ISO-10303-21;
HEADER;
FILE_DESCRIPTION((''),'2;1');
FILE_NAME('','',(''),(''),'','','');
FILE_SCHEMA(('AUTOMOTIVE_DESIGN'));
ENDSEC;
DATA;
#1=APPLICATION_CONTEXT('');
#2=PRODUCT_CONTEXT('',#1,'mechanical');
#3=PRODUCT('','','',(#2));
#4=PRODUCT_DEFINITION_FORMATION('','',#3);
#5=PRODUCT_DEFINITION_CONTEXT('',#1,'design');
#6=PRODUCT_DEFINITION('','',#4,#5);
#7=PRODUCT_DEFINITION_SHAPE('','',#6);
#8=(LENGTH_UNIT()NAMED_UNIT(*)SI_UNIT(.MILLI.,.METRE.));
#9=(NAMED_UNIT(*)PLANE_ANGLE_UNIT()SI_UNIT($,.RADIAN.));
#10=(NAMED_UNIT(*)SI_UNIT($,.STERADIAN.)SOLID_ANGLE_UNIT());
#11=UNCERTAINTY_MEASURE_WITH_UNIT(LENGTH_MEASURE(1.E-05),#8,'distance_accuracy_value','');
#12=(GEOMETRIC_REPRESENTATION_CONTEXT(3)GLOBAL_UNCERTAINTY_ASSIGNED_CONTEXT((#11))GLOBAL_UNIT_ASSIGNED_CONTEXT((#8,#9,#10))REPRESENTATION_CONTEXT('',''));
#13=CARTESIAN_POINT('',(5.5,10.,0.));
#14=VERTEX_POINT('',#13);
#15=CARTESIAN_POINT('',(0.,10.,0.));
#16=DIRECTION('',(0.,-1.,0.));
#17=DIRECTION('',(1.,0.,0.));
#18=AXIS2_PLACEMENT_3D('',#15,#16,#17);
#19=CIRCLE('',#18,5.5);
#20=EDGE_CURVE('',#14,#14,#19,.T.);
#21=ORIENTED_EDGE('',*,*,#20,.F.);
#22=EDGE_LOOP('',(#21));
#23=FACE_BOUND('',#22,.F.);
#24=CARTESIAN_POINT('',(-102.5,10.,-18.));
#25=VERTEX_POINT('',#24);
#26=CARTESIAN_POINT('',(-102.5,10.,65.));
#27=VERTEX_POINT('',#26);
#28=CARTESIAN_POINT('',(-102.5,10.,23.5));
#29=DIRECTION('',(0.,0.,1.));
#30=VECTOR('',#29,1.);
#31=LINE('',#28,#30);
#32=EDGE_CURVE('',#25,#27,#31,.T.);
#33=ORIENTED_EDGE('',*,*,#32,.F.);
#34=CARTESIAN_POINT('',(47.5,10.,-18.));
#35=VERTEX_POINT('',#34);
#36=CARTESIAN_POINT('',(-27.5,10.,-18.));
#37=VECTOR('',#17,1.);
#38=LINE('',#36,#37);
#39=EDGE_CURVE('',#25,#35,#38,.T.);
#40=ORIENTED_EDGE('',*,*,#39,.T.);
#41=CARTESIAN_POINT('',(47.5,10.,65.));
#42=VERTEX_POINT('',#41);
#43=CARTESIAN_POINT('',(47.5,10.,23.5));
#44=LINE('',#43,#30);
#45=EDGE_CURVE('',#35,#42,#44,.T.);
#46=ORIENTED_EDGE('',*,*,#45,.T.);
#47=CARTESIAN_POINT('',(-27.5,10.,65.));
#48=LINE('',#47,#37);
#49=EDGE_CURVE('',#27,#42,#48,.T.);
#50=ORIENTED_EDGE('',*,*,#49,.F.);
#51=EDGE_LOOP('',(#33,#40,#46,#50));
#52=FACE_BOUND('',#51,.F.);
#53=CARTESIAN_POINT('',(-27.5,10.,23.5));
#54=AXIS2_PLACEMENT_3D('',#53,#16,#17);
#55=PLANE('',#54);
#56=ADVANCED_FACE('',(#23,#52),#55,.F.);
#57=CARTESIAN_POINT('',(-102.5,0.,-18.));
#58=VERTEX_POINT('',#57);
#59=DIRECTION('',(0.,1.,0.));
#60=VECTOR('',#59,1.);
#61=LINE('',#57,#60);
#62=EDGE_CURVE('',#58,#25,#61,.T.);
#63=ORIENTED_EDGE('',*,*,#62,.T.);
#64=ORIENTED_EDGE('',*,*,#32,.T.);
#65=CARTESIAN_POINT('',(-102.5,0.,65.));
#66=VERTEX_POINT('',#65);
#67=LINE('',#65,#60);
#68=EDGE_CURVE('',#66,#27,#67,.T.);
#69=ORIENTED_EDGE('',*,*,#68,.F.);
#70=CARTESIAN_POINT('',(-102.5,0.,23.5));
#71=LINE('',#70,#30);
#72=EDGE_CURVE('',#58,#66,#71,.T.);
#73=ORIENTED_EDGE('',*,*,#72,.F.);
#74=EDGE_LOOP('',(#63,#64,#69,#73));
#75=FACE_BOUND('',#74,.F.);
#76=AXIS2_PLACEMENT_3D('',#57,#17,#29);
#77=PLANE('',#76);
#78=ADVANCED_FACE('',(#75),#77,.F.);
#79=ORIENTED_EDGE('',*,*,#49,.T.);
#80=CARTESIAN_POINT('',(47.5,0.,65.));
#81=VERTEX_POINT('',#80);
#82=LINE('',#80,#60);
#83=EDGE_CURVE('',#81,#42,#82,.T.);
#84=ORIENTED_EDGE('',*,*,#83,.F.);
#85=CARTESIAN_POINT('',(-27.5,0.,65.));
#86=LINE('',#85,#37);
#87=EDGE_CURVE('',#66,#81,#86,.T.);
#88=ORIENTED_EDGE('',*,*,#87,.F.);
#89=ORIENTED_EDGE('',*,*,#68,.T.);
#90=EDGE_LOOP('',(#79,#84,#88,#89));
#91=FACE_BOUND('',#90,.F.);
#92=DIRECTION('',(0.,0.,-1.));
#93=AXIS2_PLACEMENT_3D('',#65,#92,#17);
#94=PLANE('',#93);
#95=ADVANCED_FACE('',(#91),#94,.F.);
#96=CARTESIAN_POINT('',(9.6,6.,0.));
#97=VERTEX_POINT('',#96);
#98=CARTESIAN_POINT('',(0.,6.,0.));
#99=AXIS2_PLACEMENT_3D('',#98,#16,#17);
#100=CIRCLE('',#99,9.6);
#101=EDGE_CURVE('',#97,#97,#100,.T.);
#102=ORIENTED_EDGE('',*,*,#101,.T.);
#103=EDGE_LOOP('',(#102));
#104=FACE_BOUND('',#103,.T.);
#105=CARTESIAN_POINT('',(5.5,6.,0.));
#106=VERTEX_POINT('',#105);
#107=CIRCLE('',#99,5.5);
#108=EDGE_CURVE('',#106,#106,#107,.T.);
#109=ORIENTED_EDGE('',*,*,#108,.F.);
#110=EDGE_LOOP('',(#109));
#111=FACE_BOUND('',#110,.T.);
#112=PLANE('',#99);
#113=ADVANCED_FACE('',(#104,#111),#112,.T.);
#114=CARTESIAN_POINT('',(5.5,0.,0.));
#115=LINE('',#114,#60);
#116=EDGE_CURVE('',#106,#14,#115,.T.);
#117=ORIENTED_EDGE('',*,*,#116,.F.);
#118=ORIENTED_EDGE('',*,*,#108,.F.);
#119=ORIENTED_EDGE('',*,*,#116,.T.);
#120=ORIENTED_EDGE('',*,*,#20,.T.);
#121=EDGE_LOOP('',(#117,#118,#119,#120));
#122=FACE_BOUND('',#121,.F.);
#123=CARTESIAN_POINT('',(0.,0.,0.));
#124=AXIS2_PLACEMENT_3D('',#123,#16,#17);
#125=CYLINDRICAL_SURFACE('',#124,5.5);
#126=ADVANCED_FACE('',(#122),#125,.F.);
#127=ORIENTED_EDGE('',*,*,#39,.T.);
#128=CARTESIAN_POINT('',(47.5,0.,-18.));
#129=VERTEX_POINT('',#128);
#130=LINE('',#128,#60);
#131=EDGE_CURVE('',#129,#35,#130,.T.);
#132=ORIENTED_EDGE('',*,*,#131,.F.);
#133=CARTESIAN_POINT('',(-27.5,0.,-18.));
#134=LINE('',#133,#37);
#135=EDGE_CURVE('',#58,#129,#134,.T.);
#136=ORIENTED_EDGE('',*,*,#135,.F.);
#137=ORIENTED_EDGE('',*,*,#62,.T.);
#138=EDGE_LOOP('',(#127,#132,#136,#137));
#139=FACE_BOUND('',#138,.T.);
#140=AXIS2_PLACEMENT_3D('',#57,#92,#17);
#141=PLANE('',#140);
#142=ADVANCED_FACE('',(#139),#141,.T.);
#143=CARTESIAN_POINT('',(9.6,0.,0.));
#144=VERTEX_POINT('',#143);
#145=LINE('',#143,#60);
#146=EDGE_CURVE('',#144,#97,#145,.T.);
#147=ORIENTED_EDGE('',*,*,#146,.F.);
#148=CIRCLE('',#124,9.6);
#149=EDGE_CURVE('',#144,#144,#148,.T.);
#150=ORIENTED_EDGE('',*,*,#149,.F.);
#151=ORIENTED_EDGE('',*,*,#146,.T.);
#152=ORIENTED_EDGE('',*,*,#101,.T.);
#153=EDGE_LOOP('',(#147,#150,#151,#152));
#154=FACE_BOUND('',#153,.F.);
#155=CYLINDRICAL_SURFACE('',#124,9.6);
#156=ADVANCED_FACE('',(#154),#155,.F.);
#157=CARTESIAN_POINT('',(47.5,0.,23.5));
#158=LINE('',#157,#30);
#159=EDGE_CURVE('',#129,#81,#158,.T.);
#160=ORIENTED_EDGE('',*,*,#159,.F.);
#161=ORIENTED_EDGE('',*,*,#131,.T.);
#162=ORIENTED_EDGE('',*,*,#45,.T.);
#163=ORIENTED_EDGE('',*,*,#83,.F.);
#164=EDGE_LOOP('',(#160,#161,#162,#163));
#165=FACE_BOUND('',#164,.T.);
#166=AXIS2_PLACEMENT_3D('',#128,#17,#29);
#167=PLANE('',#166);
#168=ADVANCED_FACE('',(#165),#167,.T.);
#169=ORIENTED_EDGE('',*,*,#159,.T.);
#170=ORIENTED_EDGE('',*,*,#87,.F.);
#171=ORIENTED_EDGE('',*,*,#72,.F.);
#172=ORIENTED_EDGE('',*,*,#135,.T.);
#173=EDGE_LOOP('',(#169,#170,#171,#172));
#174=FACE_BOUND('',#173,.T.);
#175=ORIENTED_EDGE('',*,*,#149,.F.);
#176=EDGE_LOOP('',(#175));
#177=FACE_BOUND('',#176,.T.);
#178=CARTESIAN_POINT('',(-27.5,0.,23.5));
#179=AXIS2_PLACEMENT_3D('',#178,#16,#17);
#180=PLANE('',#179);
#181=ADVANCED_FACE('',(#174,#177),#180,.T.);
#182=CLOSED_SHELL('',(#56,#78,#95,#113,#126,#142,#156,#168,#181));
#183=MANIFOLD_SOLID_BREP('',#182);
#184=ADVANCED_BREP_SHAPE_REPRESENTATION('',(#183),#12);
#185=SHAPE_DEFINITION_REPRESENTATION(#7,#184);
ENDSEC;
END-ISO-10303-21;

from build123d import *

# Parameters (mm, degrees)
SKETCH_AS_DRAWN_R                    = 9.6
EXTRUDE_DEPTH                        = 6
EXTRUDE_ONTO_SKETCH_ROLL_ANGLE       = 90
SKETCH001_AS_DRAWN_W                 = 150
SKETCH001_AS_DRAWN_H                 = 83
SKETCH001_AS_DRAWN_R                 = 5.5
EXTRUDE001_DEPTH                     = 10
EXTRUDE001_ONTO_SKETCH001_ROLL_ANGLE = 90


with BuildPart() as pocheroulementw:
    # Sketch as drawn → Extrude (new)
    with BuildSketch(Plane.XY):
        Circle(SKETCH_AS_DRAWN_R)
    extrude(amount=-EXTRUDE_DEPTH)


with BuildPart() as pocheroulementw_1:
    # Extrude onto Sketch roll: moved
    add(pocheroulementw.part.rotate(Axis((0, 0, 0), (1, 0, 0)), EXTRUDE_ONTO_SKETCH_ROLL_ANGLE))


with BuildPart() as pocheroulementw_2:
    # Extrude onto Sketch placement: moved
    add(pocheroulementw_1.part)


with BuildPart() as supportmoteurw:
    # Sketch001 as drawn → Extrude001 (new)
    with BuildSketch(Plane.XY):
        with Locations((-27.5, 23.5)):
            Rectangle(SKETCH001_AS_DRAWN_W, SKETCH001_AS_DRAWN_H)
        Circle(SKETCH001_AS_DRAWN_R, mode=Mode.SUBTRACT)
    extrude(amount=-EXTRUDE001_DEPTH)


with BuildPart() as supportmoteurw_1:
    # Extrude001 onto Sketch001 roll: moved
    add(supportmoteurw.part.rotate(Axis((0, 0, 0), (1, 0, 0)), EXTRUDE001_ONTO_SKETCH001_ROLL_ANGLE))


with BuildPart() as supportmoteurw_2:
    # Extrude001 onto Sketch001 placement: moved
    add(supportmoteurw_1.part)

    # Cut: cut pocheRoulementW
    add(pocheroulementw_2.part, mode=Mode.SUBTRACT)


solid = supportmoteurw_2.part
